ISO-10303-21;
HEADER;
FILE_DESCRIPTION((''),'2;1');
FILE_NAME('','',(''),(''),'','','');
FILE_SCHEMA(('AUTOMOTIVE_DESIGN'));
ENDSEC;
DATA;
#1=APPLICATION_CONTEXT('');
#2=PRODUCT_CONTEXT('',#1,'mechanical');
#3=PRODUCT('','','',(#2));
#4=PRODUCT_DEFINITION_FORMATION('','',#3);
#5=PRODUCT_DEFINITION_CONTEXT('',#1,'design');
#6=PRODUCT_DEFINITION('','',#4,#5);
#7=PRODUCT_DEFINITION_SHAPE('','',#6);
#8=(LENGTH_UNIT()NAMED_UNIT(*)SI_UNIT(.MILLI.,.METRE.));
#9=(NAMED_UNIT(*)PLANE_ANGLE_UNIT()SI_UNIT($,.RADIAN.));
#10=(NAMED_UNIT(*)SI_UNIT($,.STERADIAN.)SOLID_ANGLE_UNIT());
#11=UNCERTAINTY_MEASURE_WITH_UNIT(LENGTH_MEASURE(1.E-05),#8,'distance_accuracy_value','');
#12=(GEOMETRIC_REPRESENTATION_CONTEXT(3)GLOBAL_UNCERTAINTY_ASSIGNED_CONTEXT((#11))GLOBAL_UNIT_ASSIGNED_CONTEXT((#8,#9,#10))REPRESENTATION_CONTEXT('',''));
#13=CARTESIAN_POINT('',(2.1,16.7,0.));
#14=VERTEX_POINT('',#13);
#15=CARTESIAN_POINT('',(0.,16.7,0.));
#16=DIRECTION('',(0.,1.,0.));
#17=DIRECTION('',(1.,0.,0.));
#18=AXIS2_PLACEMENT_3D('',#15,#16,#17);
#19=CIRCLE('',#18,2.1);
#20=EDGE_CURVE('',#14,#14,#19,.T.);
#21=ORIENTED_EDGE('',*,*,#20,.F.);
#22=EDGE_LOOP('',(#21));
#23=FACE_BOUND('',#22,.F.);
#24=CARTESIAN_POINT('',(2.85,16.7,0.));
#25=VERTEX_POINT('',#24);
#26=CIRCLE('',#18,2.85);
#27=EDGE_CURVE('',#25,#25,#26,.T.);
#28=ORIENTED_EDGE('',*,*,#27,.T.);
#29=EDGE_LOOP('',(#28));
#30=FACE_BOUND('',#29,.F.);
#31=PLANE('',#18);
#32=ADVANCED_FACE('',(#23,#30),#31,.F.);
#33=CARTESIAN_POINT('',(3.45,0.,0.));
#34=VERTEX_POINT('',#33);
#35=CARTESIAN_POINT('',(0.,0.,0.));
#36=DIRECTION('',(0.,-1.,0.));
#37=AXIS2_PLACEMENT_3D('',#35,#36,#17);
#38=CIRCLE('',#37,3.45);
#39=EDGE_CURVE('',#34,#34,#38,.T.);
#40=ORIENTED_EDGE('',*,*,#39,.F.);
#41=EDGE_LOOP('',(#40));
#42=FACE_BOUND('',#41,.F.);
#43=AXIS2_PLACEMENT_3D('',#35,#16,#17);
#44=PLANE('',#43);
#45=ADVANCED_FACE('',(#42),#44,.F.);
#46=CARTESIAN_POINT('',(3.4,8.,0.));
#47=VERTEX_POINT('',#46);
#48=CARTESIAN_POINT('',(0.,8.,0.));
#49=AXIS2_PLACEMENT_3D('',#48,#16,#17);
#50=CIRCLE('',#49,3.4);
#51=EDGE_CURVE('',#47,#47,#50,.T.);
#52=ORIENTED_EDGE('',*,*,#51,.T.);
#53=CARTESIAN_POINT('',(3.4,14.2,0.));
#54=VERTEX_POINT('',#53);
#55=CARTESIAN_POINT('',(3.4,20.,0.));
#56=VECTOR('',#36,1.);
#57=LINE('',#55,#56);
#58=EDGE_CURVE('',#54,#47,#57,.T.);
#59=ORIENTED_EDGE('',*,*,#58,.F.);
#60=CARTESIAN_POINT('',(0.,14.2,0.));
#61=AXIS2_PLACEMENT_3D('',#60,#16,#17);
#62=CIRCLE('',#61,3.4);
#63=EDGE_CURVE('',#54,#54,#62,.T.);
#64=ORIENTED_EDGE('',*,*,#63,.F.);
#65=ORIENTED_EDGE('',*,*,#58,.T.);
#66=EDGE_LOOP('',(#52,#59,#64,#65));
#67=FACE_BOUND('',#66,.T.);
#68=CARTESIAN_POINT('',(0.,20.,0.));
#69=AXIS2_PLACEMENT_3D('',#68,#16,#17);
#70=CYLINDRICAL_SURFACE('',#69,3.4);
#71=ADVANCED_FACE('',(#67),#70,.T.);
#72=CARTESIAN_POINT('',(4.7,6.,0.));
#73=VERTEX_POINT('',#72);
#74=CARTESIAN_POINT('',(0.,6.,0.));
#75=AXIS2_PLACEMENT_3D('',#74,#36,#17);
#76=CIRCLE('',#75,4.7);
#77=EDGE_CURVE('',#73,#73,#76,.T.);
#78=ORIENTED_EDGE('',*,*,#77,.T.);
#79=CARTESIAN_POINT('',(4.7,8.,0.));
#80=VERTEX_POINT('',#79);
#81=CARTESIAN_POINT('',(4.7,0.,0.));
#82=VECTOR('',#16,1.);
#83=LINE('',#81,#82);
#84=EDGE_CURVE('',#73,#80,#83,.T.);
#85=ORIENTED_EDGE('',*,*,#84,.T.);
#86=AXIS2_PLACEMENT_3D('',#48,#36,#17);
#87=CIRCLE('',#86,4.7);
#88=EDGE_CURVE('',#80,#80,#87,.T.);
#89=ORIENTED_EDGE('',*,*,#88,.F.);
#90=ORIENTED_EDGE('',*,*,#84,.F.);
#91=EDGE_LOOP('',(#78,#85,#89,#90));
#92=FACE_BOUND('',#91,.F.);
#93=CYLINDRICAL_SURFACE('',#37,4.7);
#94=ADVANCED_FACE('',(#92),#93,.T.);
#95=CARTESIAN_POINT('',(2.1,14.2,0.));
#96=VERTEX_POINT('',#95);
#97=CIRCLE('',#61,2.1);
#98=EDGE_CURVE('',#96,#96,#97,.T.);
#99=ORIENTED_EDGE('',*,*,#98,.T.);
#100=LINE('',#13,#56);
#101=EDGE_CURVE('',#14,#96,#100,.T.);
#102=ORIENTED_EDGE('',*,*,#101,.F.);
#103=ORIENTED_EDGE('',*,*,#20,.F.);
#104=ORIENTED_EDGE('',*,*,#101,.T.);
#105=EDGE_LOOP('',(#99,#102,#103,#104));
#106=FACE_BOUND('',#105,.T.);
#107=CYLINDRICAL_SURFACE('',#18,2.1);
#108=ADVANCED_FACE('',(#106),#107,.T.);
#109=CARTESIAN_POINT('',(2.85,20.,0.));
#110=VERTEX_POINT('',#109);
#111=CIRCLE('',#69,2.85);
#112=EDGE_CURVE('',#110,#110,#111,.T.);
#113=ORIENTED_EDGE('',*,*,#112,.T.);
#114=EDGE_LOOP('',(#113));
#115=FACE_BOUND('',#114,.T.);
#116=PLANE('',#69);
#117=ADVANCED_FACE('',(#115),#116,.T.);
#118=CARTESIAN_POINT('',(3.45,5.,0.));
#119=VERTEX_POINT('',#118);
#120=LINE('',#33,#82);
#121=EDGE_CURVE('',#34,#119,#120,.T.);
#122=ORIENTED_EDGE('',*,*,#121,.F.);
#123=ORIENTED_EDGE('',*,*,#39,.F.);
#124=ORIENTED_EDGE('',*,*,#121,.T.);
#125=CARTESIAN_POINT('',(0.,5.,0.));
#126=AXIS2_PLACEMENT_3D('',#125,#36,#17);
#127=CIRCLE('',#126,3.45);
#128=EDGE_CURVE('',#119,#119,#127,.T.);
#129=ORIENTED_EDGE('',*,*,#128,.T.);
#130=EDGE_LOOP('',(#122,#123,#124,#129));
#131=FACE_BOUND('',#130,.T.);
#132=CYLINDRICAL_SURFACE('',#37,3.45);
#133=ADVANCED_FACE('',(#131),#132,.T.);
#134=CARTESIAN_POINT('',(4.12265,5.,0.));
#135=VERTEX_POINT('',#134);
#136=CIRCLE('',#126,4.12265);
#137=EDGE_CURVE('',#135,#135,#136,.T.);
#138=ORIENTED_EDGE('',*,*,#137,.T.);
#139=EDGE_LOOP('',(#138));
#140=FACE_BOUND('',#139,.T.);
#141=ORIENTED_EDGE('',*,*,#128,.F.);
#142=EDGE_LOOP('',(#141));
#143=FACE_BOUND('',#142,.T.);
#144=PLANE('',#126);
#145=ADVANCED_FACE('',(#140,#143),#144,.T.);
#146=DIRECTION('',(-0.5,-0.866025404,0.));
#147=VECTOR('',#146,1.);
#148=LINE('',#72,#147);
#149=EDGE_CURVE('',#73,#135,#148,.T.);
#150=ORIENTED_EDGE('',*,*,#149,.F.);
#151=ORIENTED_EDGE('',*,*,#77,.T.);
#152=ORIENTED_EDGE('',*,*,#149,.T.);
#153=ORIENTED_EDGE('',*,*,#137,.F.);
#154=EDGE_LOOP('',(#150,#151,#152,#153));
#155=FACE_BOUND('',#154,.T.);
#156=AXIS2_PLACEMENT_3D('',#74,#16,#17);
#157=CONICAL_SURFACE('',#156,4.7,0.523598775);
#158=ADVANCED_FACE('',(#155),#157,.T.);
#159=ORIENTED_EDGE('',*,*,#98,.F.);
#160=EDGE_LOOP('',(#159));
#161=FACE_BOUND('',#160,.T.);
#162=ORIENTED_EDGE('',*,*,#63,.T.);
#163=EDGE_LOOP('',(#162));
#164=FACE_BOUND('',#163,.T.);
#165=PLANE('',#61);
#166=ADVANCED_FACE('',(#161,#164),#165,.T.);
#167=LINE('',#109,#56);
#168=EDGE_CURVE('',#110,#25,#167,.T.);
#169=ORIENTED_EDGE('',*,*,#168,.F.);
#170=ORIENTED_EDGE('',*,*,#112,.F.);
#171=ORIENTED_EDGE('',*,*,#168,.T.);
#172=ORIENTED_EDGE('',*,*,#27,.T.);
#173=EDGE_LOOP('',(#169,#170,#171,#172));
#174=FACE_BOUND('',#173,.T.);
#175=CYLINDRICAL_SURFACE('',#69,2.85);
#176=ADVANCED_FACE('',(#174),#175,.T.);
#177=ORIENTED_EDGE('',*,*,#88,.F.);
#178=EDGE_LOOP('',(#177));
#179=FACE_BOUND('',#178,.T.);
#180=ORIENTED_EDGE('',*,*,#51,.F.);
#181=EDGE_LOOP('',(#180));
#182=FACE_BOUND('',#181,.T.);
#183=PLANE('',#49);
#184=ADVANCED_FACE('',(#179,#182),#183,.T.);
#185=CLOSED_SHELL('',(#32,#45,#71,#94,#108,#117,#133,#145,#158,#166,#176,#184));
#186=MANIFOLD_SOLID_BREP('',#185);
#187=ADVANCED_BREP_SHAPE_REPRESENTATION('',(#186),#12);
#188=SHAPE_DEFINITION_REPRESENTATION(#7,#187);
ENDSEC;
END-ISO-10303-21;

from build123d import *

# Parameters (mm, degrees)
SKETCH1_R           = 4.7
BOSS_EXTRUDE1_DEPTH = 20
SKETCH2_OUTSIDE_W   = 16.202
SKETCH2_OUTSIDE_H   = 16.202
SKETCH2_OUTSIDE_R   = 3.45
CUT_EXTRUDE1_DEPTH  = 5
SKETCH4_OUTSIDE_W   = 16.202
SKETCH4_OUTSIDE_H   = 16.202
SKETCH4_OUTSIDE_R   = 3.4
CUT_EXTRUDE2_DEPTH  = 12
SKETCH5_OUTSIDE_W   = 16.202
SKETCH5_OUTSIDE_H   = 16.202
SKETCH5_OUTSIDE_R   = 2.85
CUT_EXTRUDE3_DEPTH  = 3.3
SKETCH7_OUTSIDE_W   = 16.202
SKETCH7_OUTSIDE_H   = 16.202
SKETCH7_OUTSIDE_R   = 2.1
CUT_EXTRUDE4_DEPTH  = 2.5
CHAMFER1_SIZE       = 1
CHAMFER1_SIZE2      = 0.577350269


with BuildPart() as part:
    # Sketch1 → Boss-Extrude1 (new body)
    with BuildSketch(Plane(origin=(0, 0, 0), x_dir=(1, 0, 0), z_dir=(0, 1, 0))):
        Circle(SKETCH1_R)
    extrude(amount=BOSS_EXTRUDE1_DEPTH)

    # Sketch2 outside → Cut-Extrude1 (cut)
    with BuildSketch(Plane.XZ):
        Rectangle(SKETCH2_OUTSIDE_W, SKETCH2_OUTSIDE_H)
        Circle(SKETCH2_OUTSIDE_R, mode=Mode.SUBTRACT)
    extrude(amount=-CUT_EXTRUDE1_DEPTH, mode=Mode.SUBTRACT)

    # Sketch4 outside → Cut-Extrude2 (cut)
    with BuildSketch(Plane(origin=(0, 20, 0), x_dir=(1, 0, 0), z_dir=(0, 1, 0))):
        Rectangle(SKETCH4_OUTSIDE_W, SKETCH4_OUTSIDE_H)
        Circle(SKETCH4_OUTSIDE_R, mode=Mode.SUBTRACT)
    extrude(amount=-CUT_EXTRUDE2_DEPTH, mode=Mode.SUBTRACT)

    # Sketch5 outside → Cut-Extrude3 (cut)
    with BuildSketch(Plane(origin=(0, 20, 0), x_dir=(1, 0, 0), z_dir=(0, 1, 0))):
        Rectangle(SKETCH5_OUTSIDE_W, SKETCH5_OUTSIDE_H)
        Circle(SKETCH5_OUTSIDE_R, mode=Mode.SUBTRACT)
    extrude(amount=-CUT_EXTRUDE3_DEPTH, mode=Mode.SUBTRACT)

    # Sketch7 outside → Cut-Extrude4 (cut)
    with BuildSketch(Plane(origin=(0, 16.7, 0), x_dir=(1, 0, 0), z_dir=(0, 1, 0))):
        Rectangle(SKETCH7_OUTSIDE_W, SKETCH7_OUTSIDE_H)
        Circle(SKETCH7_OUTSIDE_R, mode=Mode.SUBTRACT)
    extrude(amount=-CUT_EXTRUDE4_DEPTH, mode=Mode.SUBTRACT)

    # Chamfer1
    chamfer1_edges = [part.edges().sort_by_distance(p)[0] for p in [
        (-4.7, 5, 0),
    ]]
    chamfer1_side = [part.faces().sort_by_distance(p)[0] for p in [
        (-4.7, 6.5, 0),
    ]]
    chamfer(chamfer1_edges, length=CHAMFER1_SIZE, length2=CHAMFER1_SIZE2, reference=chamfer1_side[0])


solid = part.part
